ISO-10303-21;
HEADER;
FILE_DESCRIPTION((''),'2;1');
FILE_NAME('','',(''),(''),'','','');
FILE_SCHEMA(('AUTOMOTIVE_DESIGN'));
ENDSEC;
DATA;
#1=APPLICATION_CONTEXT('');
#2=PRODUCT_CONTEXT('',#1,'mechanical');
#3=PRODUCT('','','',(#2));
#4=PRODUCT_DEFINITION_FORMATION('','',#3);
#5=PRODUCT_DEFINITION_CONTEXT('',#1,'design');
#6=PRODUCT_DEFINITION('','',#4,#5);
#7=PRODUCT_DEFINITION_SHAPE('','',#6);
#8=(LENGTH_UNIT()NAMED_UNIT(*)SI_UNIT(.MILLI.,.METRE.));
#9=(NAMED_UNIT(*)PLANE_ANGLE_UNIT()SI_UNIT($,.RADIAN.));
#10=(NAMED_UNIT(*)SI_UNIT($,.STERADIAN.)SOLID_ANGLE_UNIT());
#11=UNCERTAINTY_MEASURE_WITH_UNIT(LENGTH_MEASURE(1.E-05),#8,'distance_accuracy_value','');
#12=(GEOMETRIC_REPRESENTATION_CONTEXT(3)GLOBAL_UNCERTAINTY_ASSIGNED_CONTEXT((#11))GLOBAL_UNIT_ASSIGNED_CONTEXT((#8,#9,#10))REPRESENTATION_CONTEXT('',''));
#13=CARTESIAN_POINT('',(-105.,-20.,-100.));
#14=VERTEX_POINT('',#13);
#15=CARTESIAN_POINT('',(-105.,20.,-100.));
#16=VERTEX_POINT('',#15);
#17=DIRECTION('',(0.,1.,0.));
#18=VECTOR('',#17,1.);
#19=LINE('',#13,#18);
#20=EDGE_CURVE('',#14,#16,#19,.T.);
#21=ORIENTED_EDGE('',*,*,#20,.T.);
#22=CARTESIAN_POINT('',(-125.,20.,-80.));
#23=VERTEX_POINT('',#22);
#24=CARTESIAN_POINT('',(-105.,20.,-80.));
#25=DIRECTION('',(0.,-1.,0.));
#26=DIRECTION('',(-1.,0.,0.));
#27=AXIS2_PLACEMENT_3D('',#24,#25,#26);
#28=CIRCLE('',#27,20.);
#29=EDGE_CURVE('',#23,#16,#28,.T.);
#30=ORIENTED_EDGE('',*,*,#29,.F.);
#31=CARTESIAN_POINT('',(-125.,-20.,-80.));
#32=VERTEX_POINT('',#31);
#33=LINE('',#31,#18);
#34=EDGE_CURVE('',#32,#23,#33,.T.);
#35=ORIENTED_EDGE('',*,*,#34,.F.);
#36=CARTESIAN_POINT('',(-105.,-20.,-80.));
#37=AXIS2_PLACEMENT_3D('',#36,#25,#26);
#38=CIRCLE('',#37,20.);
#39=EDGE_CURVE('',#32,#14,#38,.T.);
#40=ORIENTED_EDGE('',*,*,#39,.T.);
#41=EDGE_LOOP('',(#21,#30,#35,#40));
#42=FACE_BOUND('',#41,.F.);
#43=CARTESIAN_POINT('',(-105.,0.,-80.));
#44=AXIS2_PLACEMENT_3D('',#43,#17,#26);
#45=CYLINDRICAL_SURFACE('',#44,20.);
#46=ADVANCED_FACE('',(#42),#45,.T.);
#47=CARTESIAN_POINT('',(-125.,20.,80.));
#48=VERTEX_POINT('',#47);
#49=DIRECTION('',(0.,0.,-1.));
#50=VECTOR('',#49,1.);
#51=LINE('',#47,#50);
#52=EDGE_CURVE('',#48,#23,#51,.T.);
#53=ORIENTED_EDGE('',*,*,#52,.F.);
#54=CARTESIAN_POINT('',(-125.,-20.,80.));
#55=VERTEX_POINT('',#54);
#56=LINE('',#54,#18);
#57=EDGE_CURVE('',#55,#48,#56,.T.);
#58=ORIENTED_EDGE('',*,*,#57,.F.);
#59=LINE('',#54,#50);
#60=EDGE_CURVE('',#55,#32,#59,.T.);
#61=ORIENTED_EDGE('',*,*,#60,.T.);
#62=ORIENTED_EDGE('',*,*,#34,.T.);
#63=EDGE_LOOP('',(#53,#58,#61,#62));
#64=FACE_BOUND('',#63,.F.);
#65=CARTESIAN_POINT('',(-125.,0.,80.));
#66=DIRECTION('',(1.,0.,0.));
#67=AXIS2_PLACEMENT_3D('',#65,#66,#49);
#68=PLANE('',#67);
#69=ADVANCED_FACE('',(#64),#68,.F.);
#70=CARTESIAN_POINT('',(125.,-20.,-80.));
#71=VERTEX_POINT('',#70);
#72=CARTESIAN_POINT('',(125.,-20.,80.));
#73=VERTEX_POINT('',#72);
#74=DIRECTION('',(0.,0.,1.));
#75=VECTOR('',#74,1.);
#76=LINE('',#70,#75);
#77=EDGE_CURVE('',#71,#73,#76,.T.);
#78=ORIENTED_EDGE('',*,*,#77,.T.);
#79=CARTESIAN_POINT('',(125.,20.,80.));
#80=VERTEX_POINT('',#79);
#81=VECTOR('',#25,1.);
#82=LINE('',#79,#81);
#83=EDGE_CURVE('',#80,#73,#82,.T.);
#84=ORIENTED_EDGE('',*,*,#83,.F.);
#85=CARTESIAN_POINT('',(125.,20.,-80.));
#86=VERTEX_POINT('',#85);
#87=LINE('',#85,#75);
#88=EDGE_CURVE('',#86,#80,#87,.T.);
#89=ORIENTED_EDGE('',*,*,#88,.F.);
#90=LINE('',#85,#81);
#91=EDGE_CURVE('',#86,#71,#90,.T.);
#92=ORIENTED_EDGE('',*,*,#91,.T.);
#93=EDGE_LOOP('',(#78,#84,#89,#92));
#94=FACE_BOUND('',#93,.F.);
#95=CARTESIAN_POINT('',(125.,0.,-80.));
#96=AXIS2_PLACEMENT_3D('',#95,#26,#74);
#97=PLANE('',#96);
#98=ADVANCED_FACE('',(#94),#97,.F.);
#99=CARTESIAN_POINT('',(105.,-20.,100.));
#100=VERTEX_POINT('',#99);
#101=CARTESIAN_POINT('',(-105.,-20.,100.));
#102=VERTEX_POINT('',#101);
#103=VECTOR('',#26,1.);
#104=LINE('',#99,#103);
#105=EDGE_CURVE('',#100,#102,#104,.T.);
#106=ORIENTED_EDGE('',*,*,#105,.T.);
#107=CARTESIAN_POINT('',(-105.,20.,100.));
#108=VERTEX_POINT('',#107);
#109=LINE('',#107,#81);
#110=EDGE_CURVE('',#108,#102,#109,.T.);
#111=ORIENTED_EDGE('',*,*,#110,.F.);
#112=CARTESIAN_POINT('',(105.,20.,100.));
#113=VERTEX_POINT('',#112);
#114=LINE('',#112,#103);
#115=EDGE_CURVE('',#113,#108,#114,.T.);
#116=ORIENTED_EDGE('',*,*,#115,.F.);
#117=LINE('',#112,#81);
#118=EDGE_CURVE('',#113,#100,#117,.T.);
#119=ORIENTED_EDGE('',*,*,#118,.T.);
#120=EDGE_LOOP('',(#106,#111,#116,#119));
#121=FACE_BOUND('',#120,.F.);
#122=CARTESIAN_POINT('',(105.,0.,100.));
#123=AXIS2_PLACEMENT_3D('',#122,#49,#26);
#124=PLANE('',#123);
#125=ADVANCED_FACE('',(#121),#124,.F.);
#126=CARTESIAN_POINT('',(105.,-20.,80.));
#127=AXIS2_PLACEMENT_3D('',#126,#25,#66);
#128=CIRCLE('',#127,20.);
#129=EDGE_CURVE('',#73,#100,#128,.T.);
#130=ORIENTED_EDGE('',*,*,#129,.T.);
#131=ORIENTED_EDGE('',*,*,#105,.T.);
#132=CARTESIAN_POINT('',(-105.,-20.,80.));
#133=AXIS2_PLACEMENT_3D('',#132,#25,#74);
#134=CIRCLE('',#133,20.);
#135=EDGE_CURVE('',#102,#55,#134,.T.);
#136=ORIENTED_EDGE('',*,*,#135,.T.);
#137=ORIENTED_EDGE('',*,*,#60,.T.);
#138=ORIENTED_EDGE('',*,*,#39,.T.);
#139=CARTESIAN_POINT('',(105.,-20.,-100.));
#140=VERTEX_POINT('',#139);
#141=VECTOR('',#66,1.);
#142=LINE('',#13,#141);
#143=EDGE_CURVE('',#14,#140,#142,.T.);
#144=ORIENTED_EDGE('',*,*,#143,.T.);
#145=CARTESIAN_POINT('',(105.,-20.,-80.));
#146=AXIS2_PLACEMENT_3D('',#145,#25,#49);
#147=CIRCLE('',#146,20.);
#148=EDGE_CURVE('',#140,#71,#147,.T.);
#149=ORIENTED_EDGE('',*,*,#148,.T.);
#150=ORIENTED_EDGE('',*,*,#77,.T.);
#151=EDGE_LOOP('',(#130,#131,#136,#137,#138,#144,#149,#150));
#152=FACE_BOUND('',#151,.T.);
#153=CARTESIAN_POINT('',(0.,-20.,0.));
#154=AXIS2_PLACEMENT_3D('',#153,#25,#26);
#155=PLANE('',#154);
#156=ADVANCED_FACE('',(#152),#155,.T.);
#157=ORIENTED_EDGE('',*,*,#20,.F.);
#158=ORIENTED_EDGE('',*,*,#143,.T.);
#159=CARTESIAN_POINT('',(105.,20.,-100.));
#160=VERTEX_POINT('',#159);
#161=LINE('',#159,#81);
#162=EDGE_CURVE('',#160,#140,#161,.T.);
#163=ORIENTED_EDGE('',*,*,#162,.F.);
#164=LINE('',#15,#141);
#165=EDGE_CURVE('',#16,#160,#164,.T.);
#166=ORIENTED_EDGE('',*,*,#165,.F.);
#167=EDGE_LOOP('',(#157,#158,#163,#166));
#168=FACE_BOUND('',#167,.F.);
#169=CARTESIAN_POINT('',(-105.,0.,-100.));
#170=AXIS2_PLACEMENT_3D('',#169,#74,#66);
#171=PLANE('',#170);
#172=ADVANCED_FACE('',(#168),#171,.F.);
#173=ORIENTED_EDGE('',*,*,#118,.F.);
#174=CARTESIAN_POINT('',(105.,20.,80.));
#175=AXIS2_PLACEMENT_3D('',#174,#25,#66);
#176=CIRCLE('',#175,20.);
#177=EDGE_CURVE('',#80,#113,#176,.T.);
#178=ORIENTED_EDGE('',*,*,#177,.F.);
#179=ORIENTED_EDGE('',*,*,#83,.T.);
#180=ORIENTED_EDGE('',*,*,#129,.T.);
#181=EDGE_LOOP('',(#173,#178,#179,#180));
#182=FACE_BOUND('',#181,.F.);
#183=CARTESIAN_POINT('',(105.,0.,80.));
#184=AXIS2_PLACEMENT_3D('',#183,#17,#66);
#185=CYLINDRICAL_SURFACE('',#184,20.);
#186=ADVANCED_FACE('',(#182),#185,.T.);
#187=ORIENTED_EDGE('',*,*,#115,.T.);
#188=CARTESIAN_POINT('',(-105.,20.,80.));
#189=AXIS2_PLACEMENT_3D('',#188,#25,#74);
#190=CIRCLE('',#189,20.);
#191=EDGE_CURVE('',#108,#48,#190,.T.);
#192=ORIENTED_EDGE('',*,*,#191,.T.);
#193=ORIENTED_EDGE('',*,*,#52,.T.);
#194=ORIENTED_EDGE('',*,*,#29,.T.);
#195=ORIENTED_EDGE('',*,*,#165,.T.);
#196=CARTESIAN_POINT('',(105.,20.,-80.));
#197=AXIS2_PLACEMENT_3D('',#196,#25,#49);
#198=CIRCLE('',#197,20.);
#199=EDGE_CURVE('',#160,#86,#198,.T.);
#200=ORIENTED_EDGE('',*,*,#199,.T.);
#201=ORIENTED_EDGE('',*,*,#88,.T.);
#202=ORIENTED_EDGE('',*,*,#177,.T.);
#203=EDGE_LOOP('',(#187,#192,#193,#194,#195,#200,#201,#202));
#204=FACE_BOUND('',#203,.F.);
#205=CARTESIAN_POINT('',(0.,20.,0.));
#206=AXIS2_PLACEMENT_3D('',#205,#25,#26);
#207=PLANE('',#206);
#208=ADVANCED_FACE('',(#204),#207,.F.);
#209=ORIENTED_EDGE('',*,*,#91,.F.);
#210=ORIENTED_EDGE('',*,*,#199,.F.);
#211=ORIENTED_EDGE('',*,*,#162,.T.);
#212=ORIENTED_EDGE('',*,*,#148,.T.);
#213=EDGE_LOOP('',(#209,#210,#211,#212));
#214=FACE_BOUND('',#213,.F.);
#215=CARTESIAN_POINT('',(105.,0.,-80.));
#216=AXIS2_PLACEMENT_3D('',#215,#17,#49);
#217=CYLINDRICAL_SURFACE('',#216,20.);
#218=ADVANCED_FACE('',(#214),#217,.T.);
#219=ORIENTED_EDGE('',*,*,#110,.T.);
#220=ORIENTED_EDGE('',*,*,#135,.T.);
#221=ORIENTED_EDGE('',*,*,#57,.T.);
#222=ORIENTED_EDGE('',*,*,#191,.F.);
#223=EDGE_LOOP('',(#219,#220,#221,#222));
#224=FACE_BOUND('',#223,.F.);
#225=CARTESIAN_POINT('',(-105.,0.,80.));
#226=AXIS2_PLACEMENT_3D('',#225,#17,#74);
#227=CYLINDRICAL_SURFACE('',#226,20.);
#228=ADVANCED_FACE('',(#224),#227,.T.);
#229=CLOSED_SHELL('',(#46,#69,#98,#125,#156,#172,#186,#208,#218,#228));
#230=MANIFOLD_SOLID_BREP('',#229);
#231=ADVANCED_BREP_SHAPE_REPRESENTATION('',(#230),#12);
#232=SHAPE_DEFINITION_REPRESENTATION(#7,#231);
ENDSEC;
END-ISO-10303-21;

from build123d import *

# Parameters (mm, degrees)
BOSS_EXTRUDE2_DEPTH = 20


with BuildPart() as part:
    # Sketch2 → Boss-Extrude2 (new body, symmetric)
    with BuildSketch(Plane(origin=(0, 0, 0), x_dir=(1, 0, 0), z_dir=(0, 1, 0))):
        with BuildLine():
            Line((-105, 100), (105, 100))
            ThreePointArc((105, 100), (119.142135624, 94.142135624), (125, 80))
            Line((125, 80), (125, -80))
            ThreePointArc((125, -80), (119.142135624, -94.142135624), (105, -100))
            Line((105, -100), (-105, -100))
            ThreePointArc((-105, -100), (-119.142135624, -94.142135624), (-125, -80))
            Line((-125, -80), (-125, 80))
            ThreePointArc((-125, 80), (-119.142135624, 94.142135624), (-105, 100))
        make_face()
    extrude(amount=BOSS_EXTRUDE2_DEPTH, both=True)


solid = part.part
